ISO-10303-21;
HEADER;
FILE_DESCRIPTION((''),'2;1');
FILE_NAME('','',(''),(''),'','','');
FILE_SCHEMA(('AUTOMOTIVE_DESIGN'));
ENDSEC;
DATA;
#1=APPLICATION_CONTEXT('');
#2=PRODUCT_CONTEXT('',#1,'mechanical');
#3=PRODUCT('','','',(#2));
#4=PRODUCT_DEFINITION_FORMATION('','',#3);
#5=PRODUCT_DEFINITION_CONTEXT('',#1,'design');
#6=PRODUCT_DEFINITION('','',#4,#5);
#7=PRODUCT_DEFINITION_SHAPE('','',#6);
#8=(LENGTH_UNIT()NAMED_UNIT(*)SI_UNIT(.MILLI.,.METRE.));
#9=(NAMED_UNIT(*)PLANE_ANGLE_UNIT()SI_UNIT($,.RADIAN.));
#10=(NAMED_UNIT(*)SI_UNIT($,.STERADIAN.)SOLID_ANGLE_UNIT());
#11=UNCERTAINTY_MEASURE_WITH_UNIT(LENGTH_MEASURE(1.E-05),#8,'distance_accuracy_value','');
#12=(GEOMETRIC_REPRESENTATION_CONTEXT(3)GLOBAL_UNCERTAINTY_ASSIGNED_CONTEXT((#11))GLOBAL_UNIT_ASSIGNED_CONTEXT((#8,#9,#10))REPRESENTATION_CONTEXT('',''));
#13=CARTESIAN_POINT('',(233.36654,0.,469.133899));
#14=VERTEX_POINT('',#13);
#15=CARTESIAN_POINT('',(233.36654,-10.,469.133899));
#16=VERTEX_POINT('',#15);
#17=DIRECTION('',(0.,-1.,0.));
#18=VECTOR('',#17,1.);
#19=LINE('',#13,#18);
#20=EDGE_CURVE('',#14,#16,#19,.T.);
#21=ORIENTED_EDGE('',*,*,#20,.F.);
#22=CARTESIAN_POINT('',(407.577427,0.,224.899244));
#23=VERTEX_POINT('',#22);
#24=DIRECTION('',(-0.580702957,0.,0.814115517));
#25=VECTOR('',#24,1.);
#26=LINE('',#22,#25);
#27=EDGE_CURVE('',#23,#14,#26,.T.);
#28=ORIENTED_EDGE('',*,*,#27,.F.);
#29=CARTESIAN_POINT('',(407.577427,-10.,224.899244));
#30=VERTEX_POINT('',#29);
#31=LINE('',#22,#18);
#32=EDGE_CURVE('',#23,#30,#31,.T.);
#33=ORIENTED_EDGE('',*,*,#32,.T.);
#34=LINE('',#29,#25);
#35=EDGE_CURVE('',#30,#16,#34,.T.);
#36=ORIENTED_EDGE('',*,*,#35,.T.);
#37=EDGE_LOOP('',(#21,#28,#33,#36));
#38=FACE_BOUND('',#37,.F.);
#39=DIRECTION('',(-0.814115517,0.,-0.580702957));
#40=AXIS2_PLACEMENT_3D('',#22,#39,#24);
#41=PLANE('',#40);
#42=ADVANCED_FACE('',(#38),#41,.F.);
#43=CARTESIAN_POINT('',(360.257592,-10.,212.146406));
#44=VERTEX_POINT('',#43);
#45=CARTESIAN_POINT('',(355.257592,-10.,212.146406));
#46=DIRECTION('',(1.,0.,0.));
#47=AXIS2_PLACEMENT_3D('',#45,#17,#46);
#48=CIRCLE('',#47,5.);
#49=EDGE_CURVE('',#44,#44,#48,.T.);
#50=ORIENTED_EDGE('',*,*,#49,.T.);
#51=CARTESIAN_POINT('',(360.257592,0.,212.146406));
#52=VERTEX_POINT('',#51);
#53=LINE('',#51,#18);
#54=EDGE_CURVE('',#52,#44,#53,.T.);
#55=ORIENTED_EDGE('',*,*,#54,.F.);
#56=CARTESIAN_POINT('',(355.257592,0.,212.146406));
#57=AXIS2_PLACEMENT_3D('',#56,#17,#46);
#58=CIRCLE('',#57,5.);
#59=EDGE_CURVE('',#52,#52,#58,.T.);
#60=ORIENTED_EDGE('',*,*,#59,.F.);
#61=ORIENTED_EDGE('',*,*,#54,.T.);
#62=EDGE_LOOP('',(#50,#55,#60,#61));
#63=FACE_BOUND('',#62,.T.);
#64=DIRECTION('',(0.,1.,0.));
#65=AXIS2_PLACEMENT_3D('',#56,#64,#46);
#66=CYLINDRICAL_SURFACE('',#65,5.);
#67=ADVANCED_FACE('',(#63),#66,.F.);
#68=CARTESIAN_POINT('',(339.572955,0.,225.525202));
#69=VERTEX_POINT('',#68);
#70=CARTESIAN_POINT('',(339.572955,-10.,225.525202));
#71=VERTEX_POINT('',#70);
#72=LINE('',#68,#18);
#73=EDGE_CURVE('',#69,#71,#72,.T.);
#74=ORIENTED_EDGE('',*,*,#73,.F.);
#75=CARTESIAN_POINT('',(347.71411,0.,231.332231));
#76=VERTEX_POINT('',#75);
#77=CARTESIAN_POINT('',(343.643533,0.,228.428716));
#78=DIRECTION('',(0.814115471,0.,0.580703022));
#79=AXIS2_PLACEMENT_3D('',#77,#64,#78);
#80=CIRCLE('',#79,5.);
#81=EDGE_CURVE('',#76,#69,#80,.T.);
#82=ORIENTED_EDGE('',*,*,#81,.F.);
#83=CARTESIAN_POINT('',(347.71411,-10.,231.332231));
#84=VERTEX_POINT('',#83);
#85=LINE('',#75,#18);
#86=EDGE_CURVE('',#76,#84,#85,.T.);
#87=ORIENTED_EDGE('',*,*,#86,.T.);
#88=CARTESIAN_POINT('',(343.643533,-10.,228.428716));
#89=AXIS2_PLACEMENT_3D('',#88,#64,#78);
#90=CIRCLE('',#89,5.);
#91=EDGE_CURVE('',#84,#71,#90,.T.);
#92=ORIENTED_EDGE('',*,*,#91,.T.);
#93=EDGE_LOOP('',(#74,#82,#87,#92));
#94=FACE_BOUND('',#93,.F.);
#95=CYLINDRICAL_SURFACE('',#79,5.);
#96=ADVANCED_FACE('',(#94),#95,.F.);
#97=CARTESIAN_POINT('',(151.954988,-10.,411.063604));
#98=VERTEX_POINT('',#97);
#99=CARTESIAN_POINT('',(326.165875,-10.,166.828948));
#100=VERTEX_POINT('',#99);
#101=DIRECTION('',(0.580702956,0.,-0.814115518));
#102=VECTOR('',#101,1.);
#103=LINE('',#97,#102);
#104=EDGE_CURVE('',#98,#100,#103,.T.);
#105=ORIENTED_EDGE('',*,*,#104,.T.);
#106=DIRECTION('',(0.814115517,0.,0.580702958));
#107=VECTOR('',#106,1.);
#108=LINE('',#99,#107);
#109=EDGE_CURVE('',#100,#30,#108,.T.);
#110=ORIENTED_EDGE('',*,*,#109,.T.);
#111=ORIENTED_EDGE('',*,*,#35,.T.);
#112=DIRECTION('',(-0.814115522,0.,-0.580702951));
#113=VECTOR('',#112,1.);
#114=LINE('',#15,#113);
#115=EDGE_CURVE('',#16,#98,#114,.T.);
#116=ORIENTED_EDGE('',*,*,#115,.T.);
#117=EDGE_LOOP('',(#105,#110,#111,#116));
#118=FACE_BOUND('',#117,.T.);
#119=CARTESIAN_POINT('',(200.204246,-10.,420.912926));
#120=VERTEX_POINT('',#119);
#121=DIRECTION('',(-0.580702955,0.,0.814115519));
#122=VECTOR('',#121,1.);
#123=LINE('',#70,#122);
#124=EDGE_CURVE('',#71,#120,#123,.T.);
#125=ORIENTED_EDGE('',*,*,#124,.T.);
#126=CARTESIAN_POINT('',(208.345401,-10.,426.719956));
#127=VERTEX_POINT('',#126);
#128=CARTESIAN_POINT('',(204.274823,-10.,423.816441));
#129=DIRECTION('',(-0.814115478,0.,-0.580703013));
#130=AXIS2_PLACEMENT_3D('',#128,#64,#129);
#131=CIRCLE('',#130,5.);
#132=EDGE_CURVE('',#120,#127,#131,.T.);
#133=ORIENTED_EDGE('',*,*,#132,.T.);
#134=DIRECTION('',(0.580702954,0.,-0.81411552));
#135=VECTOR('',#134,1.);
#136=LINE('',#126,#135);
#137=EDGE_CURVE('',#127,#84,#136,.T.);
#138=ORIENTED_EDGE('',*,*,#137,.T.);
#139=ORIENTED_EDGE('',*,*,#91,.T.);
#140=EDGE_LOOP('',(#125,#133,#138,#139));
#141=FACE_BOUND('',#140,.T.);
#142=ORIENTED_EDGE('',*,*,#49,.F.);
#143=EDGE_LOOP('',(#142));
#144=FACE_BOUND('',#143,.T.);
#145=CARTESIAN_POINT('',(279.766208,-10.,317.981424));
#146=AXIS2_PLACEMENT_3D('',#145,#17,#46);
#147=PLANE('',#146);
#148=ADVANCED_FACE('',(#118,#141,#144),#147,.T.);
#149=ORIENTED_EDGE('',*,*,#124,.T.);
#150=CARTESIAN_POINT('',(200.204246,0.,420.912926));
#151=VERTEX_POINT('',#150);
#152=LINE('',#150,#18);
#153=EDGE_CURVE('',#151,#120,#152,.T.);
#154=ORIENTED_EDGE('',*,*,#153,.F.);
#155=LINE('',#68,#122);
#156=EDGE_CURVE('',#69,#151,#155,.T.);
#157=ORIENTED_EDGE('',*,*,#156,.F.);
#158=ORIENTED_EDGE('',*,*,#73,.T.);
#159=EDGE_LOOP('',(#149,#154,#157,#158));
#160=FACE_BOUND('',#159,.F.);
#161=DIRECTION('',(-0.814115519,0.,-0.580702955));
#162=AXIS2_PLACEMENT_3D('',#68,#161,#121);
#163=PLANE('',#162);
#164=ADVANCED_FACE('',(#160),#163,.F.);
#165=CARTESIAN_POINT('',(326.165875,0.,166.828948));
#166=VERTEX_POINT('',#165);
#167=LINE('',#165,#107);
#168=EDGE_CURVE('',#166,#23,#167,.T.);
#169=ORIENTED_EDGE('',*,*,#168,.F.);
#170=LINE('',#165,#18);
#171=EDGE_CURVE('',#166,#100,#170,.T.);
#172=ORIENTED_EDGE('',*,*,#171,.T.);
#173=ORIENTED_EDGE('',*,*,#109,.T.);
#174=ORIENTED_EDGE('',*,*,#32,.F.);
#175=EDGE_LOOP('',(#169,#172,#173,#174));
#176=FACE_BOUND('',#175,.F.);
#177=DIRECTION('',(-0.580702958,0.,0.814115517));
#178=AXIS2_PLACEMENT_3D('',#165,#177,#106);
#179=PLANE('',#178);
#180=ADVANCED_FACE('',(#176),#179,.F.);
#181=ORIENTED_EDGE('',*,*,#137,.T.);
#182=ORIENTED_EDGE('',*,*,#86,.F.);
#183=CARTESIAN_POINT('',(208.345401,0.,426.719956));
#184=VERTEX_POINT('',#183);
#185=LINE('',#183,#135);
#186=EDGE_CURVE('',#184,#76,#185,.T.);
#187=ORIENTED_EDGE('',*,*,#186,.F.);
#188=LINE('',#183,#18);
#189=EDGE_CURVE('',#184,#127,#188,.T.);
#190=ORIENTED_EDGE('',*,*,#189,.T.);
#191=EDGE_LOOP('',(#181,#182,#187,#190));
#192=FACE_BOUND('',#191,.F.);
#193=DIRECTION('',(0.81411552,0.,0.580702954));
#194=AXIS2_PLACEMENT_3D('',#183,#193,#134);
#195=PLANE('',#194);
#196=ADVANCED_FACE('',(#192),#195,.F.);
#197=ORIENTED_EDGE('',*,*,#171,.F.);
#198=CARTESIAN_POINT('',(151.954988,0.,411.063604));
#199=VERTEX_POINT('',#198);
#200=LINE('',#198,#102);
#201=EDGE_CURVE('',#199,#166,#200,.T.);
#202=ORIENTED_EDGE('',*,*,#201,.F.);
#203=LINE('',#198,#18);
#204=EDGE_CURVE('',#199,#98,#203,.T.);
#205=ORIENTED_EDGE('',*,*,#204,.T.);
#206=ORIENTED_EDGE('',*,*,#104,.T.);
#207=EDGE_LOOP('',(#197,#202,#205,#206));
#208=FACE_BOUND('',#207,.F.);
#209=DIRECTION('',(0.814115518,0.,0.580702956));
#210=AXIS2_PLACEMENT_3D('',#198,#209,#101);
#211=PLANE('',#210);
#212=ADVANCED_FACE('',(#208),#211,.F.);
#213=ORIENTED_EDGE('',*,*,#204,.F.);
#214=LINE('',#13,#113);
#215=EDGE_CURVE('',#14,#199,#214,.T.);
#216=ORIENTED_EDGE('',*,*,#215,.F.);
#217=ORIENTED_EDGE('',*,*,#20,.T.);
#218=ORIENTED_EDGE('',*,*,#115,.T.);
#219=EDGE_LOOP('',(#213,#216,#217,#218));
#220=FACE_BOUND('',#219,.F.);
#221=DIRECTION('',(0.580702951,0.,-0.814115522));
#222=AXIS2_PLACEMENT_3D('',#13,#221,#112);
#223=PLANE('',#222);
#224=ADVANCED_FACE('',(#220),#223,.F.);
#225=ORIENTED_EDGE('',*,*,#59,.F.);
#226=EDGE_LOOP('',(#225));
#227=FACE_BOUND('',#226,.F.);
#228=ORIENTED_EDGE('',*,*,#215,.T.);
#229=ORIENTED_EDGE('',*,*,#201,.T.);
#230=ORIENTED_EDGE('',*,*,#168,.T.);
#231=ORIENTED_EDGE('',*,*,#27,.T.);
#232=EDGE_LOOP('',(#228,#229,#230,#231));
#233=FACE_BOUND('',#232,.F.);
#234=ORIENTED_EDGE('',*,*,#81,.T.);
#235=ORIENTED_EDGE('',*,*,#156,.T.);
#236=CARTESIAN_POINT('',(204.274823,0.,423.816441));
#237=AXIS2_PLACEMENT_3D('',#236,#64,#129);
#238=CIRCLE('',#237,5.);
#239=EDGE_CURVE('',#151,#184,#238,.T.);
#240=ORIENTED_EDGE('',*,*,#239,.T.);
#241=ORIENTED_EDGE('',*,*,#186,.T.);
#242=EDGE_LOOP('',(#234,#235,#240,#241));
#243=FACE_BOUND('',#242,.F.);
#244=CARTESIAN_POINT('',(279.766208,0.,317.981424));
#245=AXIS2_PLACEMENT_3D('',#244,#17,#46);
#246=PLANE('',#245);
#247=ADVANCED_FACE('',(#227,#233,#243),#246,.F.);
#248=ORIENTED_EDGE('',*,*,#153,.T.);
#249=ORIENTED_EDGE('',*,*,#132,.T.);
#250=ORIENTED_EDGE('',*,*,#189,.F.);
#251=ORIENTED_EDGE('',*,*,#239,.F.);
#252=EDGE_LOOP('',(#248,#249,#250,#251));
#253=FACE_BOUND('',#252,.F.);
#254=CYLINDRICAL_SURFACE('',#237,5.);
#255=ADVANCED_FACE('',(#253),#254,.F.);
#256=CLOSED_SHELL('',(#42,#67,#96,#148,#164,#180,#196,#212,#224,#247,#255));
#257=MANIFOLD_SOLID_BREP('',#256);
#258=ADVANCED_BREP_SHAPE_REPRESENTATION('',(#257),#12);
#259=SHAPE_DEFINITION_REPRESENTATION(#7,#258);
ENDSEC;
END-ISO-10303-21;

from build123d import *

# Parameters (mm, degrees)
F0_R     = 5
F1_DEPTH = 10


with BuildPart() as f1:
    # F0 (on Front) → F1 (new body)
    with BuildSketch(Plane.XZ):
        Polygon((233.36654, 469.133899), (151.954988, 411.063604), (326.165875, 166.828948), (407.577427, 224.899244), align=None)
        with Locations((355.257592, 212.146406)):
            Circle(F0_R, mode=Mode.SUBTRACT)
        with BuildLine():
            Line((208.345401, 426.719956), (347.71411, 231.332231))
            ThreePointArc((347.71411, 231.332231), (346.547048, 224.358139), (339.572955, 225.525202))
            Line((339.572955, 225.525202), (200.204246, 420.912926))
            ThreePointArc((200.204246, 420.912926), (201.371309, 427.887019), (208.345401, 426.719956))
        make_face(mode=Mode.SUBTRACT)
    extrude(amount=F1_DEPTH)


solid = f1.part
